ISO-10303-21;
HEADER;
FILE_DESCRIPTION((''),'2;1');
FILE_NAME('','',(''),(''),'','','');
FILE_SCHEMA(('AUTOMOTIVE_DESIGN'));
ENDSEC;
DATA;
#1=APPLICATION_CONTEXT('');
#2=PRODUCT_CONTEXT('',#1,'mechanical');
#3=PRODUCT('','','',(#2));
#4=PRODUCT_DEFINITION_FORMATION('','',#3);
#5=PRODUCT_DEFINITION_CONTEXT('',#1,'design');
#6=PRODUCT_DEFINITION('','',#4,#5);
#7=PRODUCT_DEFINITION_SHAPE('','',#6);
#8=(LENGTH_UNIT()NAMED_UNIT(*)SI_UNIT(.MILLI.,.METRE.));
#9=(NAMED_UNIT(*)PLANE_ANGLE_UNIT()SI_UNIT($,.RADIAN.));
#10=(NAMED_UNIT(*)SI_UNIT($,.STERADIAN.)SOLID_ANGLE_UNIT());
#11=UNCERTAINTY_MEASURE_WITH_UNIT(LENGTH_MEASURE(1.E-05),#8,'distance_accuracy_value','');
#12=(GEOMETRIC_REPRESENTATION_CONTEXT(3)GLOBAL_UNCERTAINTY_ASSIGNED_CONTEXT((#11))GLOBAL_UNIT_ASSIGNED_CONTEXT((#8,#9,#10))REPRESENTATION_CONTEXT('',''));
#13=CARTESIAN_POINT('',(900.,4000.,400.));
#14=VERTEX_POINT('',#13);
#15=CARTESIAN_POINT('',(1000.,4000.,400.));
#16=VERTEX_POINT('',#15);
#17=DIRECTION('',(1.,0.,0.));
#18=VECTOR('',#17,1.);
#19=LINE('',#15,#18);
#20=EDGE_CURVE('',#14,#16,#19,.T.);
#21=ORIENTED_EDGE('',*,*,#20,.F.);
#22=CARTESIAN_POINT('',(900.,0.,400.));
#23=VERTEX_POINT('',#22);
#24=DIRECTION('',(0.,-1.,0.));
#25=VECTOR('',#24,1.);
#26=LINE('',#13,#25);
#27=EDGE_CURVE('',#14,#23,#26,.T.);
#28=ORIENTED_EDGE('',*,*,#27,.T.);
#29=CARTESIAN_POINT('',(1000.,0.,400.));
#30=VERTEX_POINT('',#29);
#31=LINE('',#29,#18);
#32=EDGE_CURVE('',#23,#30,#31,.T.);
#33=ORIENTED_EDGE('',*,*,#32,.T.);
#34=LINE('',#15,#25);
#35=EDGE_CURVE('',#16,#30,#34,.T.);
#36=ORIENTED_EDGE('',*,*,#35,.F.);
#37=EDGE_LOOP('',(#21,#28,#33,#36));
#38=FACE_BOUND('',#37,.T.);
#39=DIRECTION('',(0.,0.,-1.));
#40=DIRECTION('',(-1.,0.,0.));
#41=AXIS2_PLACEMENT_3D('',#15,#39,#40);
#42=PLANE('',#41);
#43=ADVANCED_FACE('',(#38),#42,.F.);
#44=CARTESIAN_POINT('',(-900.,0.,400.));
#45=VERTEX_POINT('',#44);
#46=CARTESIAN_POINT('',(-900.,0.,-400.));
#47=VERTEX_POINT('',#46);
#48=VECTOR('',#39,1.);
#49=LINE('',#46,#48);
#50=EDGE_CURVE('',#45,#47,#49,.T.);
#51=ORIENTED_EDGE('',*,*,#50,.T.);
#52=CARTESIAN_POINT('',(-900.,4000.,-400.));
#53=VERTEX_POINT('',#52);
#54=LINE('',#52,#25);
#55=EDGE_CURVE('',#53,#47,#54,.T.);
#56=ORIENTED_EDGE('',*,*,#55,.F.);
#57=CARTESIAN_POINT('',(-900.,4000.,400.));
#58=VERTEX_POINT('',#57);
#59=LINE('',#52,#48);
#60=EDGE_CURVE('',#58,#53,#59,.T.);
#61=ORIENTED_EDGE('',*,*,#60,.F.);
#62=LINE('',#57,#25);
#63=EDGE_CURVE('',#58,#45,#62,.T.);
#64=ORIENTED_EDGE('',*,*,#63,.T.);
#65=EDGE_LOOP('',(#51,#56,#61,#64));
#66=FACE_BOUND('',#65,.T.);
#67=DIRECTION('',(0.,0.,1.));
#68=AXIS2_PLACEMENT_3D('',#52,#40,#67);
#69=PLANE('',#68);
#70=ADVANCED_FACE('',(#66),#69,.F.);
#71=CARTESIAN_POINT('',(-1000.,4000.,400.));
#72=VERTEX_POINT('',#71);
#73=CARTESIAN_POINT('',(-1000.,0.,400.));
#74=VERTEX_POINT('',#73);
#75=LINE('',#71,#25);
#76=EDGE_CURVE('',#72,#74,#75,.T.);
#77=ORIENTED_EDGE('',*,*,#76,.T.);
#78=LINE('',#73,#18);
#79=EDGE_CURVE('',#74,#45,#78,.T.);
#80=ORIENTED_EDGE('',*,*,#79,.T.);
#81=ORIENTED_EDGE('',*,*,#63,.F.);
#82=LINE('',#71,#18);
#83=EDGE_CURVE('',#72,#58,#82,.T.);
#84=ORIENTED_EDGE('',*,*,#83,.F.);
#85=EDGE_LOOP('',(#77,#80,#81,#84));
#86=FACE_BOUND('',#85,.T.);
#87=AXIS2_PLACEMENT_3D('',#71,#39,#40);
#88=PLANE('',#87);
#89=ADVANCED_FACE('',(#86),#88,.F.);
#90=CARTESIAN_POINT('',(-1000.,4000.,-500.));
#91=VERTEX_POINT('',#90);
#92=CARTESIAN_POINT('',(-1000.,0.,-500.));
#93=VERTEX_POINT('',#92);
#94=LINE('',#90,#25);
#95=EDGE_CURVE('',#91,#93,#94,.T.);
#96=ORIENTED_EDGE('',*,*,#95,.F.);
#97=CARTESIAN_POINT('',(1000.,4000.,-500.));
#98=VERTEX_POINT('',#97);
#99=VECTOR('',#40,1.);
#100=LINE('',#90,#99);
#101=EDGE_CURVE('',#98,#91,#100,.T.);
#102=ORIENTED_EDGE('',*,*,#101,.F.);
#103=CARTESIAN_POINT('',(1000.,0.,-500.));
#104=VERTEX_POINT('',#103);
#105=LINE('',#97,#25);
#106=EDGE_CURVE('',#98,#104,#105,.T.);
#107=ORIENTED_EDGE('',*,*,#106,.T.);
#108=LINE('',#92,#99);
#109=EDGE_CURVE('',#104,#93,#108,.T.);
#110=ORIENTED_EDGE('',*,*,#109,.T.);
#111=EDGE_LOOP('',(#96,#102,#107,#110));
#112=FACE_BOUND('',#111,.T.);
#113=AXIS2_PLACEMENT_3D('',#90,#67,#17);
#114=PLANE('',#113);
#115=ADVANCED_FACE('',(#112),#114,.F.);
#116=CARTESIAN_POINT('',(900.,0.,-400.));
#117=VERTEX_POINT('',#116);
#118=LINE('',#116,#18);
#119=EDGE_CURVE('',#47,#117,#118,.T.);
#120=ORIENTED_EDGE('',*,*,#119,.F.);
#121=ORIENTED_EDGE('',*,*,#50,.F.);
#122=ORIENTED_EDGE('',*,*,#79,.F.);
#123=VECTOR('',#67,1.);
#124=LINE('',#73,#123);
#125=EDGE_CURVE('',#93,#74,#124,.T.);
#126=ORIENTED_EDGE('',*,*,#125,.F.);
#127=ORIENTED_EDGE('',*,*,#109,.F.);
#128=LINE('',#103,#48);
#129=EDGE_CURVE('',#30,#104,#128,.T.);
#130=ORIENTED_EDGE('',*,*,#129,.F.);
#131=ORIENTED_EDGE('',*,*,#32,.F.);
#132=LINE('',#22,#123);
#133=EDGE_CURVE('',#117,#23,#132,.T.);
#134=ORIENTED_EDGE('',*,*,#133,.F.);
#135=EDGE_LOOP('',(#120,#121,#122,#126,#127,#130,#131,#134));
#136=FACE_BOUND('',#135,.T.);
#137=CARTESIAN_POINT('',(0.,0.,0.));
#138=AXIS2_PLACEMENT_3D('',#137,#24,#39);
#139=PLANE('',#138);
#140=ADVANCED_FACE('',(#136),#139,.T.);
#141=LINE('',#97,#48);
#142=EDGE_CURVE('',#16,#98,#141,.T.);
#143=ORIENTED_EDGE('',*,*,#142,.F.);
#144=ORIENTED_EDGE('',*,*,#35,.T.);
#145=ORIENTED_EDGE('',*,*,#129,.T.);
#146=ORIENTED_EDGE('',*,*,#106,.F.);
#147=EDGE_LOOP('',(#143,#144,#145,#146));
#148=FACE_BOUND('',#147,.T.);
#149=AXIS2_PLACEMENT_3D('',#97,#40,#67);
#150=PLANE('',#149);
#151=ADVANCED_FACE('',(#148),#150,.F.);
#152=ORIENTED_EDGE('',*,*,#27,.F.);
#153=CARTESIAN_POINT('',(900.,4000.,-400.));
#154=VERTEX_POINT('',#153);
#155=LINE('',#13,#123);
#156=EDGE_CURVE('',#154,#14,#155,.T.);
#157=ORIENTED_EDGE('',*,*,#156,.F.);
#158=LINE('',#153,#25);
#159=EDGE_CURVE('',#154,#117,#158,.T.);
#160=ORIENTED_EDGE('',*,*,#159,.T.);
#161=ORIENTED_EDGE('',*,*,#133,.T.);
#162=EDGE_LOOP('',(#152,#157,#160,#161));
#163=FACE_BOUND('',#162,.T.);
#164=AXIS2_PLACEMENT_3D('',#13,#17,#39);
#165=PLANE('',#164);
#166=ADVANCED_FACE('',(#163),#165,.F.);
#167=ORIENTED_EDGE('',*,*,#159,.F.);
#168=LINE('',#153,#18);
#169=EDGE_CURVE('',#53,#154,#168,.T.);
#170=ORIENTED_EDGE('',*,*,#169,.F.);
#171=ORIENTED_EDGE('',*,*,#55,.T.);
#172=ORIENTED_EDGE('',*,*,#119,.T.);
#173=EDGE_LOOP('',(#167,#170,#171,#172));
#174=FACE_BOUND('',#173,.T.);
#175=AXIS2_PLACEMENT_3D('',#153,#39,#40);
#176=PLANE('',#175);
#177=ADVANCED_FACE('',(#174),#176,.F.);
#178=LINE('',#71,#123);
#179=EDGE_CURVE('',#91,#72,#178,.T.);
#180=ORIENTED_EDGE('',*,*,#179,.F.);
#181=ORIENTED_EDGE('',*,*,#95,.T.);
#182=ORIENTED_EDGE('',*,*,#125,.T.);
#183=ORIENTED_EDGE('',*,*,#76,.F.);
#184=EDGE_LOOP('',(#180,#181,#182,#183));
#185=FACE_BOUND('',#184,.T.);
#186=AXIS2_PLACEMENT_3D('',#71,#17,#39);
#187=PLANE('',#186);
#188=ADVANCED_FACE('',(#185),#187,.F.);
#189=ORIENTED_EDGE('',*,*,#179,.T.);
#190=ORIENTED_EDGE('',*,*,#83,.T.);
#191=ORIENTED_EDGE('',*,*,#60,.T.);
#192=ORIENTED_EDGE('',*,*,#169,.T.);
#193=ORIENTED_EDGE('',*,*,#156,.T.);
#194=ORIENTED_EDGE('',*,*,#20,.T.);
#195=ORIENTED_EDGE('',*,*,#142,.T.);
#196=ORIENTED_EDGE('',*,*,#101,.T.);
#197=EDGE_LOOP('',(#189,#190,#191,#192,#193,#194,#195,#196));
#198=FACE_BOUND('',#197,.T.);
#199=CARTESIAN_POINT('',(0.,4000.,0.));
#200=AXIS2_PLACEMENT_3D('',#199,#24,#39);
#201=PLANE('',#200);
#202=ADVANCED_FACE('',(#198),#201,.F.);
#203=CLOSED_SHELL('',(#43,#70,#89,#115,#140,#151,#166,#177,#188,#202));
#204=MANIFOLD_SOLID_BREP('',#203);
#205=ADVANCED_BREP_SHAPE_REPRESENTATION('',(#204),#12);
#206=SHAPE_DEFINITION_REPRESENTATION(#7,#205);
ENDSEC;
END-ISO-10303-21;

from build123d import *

# Parameters (mm, degrees)
EXTRUDE_1_DEPTH = 4000


with BuildPart() as part:
    # 草图1 → 凸台-拉伸1 (new body)
    with BuildSketch(Plane(origin=(0, 0, 0), x_dir=(1, 0, 0), z_dir=(0, 1, 0))):
        Polygon((-1000, -400), (-1000, 500), (1000, 500), (1000, -400), (900, -400), (900, 400), (-900, 400), (-900, -400), align=None)
    extrude(amount=EXTRUDE_1_DEPTH)


solid = part.part
